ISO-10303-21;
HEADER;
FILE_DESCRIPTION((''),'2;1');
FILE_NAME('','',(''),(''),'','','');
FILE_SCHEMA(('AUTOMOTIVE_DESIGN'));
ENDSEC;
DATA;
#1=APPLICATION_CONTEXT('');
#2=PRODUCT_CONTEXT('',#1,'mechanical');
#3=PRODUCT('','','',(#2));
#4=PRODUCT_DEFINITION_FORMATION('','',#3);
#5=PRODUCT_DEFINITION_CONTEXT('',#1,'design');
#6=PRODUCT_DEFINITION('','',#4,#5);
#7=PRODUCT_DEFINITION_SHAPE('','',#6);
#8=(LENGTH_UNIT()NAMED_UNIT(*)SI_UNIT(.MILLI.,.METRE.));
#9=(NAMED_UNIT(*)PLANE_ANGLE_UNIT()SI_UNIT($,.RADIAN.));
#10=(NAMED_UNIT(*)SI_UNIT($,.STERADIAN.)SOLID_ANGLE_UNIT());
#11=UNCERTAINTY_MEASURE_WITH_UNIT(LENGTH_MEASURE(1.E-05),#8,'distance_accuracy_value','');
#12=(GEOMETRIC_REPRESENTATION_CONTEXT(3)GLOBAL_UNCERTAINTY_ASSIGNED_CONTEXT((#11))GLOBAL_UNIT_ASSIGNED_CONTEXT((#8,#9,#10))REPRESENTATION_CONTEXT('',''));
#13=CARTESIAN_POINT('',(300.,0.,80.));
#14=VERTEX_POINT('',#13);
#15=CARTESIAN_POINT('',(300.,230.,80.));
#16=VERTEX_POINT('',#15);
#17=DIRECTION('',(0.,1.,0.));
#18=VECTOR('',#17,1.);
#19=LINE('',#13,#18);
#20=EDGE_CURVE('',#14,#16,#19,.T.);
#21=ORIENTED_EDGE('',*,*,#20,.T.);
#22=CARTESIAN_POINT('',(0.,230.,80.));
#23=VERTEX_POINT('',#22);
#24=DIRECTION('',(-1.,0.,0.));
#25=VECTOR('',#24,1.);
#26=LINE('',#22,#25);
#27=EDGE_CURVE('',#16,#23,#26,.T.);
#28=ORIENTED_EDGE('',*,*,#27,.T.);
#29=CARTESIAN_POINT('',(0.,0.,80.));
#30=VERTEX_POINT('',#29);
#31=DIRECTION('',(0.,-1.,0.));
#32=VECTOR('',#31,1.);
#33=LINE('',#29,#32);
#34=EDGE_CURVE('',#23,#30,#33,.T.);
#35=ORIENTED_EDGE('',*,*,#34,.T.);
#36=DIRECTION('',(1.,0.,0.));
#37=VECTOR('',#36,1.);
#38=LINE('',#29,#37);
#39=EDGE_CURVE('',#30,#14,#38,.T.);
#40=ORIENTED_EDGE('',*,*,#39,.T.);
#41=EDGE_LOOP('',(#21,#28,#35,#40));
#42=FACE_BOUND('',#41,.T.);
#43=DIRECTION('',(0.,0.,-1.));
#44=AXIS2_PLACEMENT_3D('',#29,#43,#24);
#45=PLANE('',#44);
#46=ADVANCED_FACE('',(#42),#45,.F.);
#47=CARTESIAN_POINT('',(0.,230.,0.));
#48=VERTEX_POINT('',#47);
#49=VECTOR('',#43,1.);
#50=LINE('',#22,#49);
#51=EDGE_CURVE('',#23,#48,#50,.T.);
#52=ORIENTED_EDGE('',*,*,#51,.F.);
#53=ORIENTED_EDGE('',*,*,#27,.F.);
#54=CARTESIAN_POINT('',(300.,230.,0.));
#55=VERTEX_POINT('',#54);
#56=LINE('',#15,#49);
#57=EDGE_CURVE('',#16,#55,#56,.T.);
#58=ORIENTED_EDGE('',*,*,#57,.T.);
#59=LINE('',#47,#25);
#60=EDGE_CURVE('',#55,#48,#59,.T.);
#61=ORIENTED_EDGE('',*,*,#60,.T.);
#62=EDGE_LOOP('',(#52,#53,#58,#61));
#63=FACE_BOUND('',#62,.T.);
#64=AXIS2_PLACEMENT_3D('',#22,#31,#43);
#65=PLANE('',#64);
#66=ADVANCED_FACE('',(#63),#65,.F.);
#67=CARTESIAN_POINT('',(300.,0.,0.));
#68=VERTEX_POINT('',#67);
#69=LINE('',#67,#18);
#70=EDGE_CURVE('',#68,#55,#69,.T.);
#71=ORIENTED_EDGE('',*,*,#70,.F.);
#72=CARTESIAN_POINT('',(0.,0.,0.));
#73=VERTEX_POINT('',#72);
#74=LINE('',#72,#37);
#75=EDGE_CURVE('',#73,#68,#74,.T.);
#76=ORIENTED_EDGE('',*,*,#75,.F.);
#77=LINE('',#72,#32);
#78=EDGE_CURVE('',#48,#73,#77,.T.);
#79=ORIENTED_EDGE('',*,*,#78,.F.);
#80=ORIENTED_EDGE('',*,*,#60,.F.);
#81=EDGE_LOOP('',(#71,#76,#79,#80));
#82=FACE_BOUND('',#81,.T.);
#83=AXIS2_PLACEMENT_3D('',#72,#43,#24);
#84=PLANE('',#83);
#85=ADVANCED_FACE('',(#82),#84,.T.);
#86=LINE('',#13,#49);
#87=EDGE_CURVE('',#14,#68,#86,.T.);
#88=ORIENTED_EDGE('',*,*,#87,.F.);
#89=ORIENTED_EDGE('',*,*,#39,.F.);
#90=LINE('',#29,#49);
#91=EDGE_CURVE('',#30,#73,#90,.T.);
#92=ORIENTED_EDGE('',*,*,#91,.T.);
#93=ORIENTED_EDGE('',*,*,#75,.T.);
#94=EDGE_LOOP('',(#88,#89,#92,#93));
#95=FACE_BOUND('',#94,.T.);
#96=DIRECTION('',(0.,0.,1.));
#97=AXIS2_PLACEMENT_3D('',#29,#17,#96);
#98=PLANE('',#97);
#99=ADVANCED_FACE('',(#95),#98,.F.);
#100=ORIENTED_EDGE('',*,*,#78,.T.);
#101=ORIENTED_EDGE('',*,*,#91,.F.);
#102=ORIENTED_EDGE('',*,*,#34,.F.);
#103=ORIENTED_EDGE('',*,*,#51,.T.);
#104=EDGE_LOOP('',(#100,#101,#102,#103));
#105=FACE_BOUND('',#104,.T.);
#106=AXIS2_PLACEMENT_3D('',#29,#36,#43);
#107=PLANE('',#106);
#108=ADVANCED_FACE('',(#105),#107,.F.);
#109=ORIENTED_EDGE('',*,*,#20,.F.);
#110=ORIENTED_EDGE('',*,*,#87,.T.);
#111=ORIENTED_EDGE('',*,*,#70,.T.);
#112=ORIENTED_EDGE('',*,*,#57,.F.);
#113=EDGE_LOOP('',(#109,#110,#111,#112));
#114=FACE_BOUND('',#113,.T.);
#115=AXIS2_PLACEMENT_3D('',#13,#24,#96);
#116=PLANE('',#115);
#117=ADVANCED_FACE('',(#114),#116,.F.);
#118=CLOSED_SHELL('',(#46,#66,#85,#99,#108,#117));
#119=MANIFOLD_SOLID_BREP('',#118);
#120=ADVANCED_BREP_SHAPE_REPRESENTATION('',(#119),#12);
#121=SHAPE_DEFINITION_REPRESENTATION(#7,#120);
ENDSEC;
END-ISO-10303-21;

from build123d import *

# Parameters (mm, degrees)
SKETCH_1_W      = 300
SKETCH_1_H      = 230
EXTRUDE_1_DEPTH = 80


with BuildPart() as part:
    # 草图1 → 凸台-拉伸1 (new body)
    with BuildSketch(Plane.XY):
        with Locations((150, 115)):
            Rectangle(SKETCH_1_W, SKETCH_1_H)
    extrude(amount=EXTRUDE_1_DEPTH)


solid = part.part
